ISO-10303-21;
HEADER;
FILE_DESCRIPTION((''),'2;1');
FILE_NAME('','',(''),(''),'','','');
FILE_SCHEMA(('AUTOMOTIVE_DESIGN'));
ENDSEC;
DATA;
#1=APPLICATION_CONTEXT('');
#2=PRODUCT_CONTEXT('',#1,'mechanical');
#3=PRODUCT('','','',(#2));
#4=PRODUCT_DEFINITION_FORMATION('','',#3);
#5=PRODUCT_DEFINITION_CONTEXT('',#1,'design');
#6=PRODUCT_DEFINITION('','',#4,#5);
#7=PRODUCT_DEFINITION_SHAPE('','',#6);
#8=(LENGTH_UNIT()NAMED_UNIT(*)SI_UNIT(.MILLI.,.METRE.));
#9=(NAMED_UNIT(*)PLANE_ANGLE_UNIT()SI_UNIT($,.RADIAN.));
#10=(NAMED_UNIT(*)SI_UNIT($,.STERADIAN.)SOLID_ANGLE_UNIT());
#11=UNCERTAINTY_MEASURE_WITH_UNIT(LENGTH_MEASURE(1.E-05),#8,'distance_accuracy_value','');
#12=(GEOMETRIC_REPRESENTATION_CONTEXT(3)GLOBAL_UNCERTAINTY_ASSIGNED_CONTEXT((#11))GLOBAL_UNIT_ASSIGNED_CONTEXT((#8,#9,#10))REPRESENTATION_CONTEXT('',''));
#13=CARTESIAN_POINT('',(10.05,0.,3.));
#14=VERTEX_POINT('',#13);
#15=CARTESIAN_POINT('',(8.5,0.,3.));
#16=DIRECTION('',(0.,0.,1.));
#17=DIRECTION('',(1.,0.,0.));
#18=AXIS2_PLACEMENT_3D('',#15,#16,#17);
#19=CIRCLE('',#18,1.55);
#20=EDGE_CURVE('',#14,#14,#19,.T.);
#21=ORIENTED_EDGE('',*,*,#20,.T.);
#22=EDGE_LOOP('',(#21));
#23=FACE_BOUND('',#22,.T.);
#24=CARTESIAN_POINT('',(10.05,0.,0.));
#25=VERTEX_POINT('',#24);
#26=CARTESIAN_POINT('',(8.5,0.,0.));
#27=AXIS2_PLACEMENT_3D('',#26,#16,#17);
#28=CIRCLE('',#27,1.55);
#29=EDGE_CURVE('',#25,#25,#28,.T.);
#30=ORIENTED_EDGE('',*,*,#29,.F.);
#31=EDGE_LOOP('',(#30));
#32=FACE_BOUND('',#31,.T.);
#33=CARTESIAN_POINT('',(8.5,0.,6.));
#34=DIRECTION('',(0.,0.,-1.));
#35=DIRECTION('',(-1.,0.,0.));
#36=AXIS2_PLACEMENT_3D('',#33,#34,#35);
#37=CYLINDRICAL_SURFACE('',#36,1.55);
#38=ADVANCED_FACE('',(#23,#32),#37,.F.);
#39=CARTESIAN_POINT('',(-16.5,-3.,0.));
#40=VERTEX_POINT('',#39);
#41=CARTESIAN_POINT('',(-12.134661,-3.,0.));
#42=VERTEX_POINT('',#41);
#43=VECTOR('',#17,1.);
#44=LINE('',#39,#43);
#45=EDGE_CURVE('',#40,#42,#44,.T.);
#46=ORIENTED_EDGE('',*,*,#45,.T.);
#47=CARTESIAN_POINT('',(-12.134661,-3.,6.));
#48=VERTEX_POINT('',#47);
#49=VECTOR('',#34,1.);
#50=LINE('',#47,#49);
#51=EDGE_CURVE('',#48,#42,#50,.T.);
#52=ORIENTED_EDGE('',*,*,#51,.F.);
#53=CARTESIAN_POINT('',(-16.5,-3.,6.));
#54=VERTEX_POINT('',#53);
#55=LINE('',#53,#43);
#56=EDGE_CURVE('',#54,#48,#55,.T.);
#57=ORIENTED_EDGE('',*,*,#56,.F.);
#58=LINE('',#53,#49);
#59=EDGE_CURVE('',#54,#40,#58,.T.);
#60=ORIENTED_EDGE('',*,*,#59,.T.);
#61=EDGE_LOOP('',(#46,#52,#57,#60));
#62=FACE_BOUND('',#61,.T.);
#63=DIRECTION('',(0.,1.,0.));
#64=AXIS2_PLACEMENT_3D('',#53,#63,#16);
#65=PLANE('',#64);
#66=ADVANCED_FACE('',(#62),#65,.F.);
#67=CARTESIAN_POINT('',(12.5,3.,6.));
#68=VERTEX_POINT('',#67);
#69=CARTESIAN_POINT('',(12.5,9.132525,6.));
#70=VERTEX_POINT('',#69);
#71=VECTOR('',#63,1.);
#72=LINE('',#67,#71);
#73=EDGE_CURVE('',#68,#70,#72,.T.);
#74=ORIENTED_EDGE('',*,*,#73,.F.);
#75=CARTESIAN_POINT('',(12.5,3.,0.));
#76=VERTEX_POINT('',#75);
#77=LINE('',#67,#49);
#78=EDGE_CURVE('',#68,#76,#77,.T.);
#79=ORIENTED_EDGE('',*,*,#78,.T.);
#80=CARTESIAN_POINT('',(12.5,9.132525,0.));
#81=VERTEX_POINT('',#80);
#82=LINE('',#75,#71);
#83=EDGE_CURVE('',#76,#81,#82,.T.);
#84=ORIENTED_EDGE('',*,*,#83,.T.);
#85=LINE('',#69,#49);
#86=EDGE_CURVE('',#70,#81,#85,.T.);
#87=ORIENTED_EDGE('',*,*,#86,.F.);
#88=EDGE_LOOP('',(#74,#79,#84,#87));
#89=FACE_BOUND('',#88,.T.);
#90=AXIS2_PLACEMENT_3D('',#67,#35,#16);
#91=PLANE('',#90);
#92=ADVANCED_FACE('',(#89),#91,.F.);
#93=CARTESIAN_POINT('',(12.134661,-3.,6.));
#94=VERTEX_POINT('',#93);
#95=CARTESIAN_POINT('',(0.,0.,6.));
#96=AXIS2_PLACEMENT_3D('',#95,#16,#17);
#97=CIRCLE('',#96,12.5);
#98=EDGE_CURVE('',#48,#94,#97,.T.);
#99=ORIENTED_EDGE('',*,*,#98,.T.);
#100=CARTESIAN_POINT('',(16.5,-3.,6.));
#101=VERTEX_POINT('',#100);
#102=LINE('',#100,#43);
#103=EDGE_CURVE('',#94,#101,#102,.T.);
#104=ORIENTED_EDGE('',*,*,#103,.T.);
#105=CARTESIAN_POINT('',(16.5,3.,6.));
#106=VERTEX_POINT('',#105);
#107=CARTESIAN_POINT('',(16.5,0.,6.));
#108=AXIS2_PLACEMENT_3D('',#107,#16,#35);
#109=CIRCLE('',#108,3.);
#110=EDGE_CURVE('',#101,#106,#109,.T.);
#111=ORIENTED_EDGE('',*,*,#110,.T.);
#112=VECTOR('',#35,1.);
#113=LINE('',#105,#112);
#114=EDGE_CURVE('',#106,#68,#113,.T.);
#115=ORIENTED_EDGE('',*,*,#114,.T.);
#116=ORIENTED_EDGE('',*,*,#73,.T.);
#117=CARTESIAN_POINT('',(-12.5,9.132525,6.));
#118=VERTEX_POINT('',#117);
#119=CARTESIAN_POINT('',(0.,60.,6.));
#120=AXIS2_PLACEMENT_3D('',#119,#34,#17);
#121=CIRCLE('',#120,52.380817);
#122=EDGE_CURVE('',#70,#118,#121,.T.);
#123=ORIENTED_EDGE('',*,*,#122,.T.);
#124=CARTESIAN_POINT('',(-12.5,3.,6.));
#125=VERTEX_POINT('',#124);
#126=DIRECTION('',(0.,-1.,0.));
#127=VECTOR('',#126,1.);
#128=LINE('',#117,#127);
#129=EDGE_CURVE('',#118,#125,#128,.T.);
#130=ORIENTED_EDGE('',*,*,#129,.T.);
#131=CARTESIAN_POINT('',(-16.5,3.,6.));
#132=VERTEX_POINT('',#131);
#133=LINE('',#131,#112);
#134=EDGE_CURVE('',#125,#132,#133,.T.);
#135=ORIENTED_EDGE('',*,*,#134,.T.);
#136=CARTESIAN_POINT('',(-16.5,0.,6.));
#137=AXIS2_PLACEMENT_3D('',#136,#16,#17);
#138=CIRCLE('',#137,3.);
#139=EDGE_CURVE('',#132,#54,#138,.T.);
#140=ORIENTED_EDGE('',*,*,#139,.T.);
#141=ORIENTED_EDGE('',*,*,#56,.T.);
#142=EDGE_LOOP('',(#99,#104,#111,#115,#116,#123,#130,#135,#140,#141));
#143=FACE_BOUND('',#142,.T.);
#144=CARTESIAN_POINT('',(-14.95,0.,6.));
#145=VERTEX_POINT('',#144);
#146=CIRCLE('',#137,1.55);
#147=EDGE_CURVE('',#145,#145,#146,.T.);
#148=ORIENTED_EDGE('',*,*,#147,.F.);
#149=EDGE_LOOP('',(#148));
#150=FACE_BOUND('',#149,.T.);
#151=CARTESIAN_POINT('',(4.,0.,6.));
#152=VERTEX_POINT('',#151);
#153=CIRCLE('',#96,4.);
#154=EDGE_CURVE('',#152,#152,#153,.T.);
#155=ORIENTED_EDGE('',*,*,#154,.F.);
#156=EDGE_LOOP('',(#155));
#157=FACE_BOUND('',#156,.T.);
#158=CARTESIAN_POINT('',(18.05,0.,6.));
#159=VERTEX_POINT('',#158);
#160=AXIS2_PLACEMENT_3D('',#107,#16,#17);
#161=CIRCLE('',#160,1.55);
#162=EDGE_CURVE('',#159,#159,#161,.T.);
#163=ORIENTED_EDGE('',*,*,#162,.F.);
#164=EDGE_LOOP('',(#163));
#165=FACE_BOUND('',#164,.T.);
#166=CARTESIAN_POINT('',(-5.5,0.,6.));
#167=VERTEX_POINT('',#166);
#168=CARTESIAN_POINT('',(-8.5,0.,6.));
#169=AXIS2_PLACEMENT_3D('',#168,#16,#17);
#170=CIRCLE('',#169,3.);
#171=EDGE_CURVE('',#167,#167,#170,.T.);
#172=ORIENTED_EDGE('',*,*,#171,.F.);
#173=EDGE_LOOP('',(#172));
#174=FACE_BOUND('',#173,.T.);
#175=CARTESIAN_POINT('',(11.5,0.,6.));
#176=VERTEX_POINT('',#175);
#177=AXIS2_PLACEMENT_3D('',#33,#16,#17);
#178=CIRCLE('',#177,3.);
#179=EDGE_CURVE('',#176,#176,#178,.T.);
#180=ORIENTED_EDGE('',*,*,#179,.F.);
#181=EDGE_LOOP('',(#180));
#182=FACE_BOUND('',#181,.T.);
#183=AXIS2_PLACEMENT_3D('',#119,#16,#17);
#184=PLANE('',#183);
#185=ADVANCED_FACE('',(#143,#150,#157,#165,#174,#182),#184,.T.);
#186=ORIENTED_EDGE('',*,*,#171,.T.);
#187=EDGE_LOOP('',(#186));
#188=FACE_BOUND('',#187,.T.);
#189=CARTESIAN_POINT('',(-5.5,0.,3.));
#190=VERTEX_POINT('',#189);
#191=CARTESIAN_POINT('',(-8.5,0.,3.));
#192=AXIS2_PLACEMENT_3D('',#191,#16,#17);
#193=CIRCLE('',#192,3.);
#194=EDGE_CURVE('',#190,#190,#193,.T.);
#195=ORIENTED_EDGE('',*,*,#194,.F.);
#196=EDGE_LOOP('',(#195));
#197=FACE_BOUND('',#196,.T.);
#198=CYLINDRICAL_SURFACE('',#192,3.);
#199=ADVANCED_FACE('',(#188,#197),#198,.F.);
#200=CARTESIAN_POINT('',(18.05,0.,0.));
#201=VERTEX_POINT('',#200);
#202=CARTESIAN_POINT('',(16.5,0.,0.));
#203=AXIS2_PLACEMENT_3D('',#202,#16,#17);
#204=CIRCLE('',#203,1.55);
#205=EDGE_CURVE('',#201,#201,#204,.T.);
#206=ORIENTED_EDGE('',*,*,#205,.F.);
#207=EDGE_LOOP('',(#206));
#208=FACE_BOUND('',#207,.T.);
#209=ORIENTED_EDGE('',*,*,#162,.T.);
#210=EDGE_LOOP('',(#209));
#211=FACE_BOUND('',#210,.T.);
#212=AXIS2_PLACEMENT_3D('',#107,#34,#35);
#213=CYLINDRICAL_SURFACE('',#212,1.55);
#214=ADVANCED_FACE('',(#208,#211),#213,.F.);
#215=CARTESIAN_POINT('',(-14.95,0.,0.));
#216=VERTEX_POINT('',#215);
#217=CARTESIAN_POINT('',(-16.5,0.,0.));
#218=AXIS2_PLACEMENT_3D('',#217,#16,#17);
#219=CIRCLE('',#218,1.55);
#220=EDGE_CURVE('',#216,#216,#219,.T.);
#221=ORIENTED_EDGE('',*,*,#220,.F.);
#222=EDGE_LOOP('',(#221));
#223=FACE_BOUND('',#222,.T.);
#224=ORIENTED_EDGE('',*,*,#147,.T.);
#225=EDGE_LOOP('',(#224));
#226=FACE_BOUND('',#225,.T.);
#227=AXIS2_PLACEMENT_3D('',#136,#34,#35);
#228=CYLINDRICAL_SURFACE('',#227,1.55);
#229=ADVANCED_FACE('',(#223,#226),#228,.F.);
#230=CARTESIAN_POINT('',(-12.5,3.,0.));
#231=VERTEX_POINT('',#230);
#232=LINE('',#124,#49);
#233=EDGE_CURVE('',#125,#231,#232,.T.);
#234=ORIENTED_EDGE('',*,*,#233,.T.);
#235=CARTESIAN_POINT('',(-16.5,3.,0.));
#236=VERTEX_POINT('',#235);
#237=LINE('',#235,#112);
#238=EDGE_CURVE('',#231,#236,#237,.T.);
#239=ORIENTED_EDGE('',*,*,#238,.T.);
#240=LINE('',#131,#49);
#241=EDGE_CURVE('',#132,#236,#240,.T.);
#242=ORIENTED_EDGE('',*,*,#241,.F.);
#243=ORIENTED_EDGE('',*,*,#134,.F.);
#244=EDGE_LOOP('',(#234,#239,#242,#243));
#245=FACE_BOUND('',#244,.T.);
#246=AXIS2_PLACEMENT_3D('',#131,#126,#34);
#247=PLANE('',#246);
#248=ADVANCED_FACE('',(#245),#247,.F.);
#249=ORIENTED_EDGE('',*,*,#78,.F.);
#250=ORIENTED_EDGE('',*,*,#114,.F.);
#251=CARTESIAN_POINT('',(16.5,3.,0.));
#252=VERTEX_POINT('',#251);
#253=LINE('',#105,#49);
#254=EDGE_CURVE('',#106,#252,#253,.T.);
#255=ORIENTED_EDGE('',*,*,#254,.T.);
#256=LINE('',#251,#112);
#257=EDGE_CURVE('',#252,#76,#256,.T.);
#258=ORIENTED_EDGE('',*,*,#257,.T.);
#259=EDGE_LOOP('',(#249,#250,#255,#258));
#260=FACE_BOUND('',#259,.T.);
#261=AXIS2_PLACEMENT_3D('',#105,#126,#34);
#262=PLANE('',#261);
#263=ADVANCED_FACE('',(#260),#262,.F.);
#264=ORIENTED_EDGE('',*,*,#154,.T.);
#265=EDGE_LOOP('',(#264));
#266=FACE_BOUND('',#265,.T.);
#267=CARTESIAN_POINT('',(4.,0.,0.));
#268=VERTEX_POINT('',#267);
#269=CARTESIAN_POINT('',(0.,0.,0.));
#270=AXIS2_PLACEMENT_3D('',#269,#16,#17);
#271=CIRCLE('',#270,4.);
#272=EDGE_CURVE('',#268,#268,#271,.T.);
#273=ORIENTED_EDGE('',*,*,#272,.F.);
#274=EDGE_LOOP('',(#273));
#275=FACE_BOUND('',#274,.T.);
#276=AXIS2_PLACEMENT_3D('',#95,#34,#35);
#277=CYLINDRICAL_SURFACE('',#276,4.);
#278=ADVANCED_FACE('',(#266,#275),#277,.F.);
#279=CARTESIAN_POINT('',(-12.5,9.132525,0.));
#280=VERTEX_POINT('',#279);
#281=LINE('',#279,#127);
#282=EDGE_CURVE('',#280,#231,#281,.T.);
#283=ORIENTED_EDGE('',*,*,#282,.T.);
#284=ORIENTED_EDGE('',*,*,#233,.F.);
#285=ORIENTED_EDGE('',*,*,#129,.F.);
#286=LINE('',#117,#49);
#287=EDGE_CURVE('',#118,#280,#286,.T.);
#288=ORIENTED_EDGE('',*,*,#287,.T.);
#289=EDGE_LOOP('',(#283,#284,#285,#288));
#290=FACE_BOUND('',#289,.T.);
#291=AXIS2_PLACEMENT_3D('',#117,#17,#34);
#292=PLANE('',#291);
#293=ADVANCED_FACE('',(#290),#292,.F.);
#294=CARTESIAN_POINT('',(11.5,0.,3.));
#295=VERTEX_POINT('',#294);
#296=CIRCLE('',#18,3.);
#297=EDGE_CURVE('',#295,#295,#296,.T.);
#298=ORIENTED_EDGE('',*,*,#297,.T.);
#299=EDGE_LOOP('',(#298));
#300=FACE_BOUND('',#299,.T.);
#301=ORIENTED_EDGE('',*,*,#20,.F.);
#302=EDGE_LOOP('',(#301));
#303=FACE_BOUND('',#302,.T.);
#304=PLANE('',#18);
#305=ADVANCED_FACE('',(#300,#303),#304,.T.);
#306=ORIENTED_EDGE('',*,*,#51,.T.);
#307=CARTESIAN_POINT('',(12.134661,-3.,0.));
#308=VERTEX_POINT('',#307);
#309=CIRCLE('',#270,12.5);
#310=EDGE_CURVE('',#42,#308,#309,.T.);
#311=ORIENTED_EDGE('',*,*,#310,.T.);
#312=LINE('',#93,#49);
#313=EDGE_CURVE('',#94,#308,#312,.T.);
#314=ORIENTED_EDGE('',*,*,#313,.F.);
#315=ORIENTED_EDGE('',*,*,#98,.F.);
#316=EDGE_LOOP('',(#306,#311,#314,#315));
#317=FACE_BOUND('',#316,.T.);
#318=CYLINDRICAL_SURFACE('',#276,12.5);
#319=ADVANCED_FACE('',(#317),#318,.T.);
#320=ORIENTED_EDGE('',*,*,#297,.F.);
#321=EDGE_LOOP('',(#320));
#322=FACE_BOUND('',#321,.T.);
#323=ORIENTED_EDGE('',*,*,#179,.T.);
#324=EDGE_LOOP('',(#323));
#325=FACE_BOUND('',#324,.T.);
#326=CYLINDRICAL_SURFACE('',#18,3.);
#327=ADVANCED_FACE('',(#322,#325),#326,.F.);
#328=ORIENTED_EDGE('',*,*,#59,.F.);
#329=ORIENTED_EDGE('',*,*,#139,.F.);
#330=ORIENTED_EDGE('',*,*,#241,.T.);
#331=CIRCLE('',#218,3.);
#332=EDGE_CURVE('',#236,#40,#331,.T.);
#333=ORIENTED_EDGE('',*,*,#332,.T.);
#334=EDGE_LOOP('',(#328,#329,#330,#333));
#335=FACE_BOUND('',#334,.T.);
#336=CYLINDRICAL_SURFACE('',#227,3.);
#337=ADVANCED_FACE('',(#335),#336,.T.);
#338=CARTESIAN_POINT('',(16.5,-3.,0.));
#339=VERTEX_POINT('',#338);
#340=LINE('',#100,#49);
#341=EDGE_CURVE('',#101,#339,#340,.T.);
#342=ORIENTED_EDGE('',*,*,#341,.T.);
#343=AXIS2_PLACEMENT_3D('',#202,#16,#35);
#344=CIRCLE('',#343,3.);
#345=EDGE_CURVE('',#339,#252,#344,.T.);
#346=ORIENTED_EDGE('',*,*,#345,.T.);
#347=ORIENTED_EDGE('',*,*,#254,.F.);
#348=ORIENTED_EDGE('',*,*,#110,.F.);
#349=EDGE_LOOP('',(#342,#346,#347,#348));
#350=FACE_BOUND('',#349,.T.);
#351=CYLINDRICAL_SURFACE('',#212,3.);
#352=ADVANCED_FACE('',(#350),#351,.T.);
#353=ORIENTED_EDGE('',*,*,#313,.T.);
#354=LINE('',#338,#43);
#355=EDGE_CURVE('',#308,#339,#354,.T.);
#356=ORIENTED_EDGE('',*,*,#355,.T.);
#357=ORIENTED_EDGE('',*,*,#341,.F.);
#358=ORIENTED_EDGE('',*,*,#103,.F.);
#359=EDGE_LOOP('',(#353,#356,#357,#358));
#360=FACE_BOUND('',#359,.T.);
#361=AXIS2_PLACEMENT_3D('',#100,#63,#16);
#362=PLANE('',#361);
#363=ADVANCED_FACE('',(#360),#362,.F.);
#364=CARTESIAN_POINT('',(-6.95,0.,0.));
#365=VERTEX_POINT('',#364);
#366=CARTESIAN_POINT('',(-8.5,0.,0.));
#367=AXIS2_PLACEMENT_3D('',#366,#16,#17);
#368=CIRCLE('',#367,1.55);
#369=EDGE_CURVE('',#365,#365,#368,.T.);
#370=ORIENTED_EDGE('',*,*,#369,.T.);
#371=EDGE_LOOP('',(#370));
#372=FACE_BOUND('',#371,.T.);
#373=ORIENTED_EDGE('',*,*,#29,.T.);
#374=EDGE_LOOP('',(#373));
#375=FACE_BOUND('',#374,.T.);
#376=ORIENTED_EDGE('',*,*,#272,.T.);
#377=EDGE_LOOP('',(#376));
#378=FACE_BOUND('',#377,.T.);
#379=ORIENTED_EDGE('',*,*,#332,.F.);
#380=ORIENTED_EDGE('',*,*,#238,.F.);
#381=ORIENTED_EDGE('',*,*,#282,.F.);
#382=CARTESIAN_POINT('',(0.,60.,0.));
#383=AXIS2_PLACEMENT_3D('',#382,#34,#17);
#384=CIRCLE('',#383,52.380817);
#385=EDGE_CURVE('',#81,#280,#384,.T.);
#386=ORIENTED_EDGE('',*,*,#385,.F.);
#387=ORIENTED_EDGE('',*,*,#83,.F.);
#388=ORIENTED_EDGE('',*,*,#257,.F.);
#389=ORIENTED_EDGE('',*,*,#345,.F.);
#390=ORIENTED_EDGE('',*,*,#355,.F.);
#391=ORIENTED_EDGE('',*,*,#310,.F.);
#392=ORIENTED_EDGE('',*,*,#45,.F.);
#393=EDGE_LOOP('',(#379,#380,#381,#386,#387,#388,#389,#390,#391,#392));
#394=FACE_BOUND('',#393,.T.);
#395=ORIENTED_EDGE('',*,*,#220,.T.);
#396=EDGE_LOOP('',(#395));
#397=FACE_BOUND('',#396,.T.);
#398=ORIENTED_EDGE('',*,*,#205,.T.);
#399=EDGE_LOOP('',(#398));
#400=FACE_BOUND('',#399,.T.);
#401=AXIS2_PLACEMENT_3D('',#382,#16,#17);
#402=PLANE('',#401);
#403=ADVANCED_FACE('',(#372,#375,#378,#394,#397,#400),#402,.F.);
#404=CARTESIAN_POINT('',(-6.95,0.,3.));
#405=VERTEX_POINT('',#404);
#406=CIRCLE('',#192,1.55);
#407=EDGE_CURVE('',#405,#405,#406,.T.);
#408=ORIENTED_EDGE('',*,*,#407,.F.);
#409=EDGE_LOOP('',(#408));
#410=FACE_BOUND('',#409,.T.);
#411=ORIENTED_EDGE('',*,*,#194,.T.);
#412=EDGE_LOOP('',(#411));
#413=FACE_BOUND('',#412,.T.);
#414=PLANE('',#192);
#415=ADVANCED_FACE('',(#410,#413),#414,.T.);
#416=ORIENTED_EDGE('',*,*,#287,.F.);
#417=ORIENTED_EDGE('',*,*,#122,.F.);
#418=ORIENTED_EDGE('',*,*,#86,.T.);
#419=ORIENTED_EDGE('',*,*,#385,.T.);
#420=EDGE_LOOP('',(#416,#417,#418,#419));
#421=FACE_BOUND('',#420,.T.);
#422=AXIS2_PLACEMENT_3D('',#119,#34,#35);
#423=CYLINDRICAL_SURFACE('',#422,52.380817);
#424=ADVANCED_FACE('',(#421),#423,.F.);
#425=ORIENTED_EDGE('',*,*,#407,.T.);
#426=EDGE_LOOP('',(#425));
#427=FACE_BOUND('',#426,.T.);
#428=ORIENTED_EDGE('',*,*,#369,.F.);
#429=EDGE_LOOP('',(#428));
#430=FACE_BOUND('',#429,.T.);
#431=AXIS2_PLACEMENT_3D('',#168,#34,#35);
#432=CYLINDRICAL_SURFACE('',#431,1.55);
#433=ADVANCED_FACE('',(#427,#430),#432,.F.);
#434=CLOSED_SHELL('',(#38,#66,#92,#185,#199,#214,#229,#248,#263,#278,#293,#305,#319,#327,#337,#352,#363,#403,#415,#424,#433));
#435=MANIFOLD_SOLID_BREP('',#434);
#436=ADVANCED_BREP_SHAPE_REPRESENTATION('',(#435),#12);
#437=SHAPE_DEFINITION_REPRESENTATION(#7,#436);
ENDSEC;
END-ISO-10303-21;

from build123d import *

# Parameters (mm, degrees)
SKETCH1_R           = 1.55
SKETCH1_R_2         = 4
BOSS_EXTRUDE1_DEPTH = 6
SKETCH2_R           = 3
CUT_EXTRUDE1_DEPTH  = 3


with BuildPart() as part:
    # Sketch1 → Boss-Extrude1 (new body)
    with BuildSketch(Plane.XY):
        with BuildLine():
            Line((-16.5, 3), (-12.5, 3))
            Line((-12.5, 3), (-12.5, 9.132525127))
            ThreePointArc((-12.5, 9.132525127), (0, 7.619182901), (12.5, 9.132525127))
            Line((12.5, 9.132525127), (12.5, 3))
            Line((12.5, 3), (16.5, 3))
            ThreePointArc((16.5, 3), (19.5, 0), (16.5, -3))
            Line((16.5, -3), (12.1346611, -3))
            ThreePointArc((12.1346611, -3), (0, -12.5), (-12.1346611, -3))
            Line((-12.1346611, -3), (-16.5, -3))
            ThreePointArc((-16.5, -3), (-19.5, 0), (-16.5, 3))
        make_face()
        with Locations((-8.5, 0)):
            Circle(SKETCH1_R, mode=Mode.SUBTRACT)
        with Locations((8.5, 0)):
            Circle(SKETCH1_R, mode=Mode.SUBTRACT)
        Circle(SKETCH1_R_2, mode=Mode.SUBTRACT)
        with Locations((-16.5, 0)):
            Circle(SKETCH1_R, mode=Mode.SUBTRACT)
        with Locations((16.5, 0)):
            Circle(SKETCH1_R, mode=Mode.SUBTRACT)
    extrude(amount=BOSS_EXTRUDE1_DEPTH)

    # Sketch2 → Cut-Extrude1 (cut)
    with BuildSketch(Plane.XY.offset(6)):
        with Locations((-8.5, 0)):
            Circle(SKETCH2_R)
        with Locations((8.5, 0)):
            Circle(SKETCH2_R)
    extrude(amount=-CUT_EXTRUDE1_DEPTH, mode=Mode.SUBTRACT)


solid = part.part
